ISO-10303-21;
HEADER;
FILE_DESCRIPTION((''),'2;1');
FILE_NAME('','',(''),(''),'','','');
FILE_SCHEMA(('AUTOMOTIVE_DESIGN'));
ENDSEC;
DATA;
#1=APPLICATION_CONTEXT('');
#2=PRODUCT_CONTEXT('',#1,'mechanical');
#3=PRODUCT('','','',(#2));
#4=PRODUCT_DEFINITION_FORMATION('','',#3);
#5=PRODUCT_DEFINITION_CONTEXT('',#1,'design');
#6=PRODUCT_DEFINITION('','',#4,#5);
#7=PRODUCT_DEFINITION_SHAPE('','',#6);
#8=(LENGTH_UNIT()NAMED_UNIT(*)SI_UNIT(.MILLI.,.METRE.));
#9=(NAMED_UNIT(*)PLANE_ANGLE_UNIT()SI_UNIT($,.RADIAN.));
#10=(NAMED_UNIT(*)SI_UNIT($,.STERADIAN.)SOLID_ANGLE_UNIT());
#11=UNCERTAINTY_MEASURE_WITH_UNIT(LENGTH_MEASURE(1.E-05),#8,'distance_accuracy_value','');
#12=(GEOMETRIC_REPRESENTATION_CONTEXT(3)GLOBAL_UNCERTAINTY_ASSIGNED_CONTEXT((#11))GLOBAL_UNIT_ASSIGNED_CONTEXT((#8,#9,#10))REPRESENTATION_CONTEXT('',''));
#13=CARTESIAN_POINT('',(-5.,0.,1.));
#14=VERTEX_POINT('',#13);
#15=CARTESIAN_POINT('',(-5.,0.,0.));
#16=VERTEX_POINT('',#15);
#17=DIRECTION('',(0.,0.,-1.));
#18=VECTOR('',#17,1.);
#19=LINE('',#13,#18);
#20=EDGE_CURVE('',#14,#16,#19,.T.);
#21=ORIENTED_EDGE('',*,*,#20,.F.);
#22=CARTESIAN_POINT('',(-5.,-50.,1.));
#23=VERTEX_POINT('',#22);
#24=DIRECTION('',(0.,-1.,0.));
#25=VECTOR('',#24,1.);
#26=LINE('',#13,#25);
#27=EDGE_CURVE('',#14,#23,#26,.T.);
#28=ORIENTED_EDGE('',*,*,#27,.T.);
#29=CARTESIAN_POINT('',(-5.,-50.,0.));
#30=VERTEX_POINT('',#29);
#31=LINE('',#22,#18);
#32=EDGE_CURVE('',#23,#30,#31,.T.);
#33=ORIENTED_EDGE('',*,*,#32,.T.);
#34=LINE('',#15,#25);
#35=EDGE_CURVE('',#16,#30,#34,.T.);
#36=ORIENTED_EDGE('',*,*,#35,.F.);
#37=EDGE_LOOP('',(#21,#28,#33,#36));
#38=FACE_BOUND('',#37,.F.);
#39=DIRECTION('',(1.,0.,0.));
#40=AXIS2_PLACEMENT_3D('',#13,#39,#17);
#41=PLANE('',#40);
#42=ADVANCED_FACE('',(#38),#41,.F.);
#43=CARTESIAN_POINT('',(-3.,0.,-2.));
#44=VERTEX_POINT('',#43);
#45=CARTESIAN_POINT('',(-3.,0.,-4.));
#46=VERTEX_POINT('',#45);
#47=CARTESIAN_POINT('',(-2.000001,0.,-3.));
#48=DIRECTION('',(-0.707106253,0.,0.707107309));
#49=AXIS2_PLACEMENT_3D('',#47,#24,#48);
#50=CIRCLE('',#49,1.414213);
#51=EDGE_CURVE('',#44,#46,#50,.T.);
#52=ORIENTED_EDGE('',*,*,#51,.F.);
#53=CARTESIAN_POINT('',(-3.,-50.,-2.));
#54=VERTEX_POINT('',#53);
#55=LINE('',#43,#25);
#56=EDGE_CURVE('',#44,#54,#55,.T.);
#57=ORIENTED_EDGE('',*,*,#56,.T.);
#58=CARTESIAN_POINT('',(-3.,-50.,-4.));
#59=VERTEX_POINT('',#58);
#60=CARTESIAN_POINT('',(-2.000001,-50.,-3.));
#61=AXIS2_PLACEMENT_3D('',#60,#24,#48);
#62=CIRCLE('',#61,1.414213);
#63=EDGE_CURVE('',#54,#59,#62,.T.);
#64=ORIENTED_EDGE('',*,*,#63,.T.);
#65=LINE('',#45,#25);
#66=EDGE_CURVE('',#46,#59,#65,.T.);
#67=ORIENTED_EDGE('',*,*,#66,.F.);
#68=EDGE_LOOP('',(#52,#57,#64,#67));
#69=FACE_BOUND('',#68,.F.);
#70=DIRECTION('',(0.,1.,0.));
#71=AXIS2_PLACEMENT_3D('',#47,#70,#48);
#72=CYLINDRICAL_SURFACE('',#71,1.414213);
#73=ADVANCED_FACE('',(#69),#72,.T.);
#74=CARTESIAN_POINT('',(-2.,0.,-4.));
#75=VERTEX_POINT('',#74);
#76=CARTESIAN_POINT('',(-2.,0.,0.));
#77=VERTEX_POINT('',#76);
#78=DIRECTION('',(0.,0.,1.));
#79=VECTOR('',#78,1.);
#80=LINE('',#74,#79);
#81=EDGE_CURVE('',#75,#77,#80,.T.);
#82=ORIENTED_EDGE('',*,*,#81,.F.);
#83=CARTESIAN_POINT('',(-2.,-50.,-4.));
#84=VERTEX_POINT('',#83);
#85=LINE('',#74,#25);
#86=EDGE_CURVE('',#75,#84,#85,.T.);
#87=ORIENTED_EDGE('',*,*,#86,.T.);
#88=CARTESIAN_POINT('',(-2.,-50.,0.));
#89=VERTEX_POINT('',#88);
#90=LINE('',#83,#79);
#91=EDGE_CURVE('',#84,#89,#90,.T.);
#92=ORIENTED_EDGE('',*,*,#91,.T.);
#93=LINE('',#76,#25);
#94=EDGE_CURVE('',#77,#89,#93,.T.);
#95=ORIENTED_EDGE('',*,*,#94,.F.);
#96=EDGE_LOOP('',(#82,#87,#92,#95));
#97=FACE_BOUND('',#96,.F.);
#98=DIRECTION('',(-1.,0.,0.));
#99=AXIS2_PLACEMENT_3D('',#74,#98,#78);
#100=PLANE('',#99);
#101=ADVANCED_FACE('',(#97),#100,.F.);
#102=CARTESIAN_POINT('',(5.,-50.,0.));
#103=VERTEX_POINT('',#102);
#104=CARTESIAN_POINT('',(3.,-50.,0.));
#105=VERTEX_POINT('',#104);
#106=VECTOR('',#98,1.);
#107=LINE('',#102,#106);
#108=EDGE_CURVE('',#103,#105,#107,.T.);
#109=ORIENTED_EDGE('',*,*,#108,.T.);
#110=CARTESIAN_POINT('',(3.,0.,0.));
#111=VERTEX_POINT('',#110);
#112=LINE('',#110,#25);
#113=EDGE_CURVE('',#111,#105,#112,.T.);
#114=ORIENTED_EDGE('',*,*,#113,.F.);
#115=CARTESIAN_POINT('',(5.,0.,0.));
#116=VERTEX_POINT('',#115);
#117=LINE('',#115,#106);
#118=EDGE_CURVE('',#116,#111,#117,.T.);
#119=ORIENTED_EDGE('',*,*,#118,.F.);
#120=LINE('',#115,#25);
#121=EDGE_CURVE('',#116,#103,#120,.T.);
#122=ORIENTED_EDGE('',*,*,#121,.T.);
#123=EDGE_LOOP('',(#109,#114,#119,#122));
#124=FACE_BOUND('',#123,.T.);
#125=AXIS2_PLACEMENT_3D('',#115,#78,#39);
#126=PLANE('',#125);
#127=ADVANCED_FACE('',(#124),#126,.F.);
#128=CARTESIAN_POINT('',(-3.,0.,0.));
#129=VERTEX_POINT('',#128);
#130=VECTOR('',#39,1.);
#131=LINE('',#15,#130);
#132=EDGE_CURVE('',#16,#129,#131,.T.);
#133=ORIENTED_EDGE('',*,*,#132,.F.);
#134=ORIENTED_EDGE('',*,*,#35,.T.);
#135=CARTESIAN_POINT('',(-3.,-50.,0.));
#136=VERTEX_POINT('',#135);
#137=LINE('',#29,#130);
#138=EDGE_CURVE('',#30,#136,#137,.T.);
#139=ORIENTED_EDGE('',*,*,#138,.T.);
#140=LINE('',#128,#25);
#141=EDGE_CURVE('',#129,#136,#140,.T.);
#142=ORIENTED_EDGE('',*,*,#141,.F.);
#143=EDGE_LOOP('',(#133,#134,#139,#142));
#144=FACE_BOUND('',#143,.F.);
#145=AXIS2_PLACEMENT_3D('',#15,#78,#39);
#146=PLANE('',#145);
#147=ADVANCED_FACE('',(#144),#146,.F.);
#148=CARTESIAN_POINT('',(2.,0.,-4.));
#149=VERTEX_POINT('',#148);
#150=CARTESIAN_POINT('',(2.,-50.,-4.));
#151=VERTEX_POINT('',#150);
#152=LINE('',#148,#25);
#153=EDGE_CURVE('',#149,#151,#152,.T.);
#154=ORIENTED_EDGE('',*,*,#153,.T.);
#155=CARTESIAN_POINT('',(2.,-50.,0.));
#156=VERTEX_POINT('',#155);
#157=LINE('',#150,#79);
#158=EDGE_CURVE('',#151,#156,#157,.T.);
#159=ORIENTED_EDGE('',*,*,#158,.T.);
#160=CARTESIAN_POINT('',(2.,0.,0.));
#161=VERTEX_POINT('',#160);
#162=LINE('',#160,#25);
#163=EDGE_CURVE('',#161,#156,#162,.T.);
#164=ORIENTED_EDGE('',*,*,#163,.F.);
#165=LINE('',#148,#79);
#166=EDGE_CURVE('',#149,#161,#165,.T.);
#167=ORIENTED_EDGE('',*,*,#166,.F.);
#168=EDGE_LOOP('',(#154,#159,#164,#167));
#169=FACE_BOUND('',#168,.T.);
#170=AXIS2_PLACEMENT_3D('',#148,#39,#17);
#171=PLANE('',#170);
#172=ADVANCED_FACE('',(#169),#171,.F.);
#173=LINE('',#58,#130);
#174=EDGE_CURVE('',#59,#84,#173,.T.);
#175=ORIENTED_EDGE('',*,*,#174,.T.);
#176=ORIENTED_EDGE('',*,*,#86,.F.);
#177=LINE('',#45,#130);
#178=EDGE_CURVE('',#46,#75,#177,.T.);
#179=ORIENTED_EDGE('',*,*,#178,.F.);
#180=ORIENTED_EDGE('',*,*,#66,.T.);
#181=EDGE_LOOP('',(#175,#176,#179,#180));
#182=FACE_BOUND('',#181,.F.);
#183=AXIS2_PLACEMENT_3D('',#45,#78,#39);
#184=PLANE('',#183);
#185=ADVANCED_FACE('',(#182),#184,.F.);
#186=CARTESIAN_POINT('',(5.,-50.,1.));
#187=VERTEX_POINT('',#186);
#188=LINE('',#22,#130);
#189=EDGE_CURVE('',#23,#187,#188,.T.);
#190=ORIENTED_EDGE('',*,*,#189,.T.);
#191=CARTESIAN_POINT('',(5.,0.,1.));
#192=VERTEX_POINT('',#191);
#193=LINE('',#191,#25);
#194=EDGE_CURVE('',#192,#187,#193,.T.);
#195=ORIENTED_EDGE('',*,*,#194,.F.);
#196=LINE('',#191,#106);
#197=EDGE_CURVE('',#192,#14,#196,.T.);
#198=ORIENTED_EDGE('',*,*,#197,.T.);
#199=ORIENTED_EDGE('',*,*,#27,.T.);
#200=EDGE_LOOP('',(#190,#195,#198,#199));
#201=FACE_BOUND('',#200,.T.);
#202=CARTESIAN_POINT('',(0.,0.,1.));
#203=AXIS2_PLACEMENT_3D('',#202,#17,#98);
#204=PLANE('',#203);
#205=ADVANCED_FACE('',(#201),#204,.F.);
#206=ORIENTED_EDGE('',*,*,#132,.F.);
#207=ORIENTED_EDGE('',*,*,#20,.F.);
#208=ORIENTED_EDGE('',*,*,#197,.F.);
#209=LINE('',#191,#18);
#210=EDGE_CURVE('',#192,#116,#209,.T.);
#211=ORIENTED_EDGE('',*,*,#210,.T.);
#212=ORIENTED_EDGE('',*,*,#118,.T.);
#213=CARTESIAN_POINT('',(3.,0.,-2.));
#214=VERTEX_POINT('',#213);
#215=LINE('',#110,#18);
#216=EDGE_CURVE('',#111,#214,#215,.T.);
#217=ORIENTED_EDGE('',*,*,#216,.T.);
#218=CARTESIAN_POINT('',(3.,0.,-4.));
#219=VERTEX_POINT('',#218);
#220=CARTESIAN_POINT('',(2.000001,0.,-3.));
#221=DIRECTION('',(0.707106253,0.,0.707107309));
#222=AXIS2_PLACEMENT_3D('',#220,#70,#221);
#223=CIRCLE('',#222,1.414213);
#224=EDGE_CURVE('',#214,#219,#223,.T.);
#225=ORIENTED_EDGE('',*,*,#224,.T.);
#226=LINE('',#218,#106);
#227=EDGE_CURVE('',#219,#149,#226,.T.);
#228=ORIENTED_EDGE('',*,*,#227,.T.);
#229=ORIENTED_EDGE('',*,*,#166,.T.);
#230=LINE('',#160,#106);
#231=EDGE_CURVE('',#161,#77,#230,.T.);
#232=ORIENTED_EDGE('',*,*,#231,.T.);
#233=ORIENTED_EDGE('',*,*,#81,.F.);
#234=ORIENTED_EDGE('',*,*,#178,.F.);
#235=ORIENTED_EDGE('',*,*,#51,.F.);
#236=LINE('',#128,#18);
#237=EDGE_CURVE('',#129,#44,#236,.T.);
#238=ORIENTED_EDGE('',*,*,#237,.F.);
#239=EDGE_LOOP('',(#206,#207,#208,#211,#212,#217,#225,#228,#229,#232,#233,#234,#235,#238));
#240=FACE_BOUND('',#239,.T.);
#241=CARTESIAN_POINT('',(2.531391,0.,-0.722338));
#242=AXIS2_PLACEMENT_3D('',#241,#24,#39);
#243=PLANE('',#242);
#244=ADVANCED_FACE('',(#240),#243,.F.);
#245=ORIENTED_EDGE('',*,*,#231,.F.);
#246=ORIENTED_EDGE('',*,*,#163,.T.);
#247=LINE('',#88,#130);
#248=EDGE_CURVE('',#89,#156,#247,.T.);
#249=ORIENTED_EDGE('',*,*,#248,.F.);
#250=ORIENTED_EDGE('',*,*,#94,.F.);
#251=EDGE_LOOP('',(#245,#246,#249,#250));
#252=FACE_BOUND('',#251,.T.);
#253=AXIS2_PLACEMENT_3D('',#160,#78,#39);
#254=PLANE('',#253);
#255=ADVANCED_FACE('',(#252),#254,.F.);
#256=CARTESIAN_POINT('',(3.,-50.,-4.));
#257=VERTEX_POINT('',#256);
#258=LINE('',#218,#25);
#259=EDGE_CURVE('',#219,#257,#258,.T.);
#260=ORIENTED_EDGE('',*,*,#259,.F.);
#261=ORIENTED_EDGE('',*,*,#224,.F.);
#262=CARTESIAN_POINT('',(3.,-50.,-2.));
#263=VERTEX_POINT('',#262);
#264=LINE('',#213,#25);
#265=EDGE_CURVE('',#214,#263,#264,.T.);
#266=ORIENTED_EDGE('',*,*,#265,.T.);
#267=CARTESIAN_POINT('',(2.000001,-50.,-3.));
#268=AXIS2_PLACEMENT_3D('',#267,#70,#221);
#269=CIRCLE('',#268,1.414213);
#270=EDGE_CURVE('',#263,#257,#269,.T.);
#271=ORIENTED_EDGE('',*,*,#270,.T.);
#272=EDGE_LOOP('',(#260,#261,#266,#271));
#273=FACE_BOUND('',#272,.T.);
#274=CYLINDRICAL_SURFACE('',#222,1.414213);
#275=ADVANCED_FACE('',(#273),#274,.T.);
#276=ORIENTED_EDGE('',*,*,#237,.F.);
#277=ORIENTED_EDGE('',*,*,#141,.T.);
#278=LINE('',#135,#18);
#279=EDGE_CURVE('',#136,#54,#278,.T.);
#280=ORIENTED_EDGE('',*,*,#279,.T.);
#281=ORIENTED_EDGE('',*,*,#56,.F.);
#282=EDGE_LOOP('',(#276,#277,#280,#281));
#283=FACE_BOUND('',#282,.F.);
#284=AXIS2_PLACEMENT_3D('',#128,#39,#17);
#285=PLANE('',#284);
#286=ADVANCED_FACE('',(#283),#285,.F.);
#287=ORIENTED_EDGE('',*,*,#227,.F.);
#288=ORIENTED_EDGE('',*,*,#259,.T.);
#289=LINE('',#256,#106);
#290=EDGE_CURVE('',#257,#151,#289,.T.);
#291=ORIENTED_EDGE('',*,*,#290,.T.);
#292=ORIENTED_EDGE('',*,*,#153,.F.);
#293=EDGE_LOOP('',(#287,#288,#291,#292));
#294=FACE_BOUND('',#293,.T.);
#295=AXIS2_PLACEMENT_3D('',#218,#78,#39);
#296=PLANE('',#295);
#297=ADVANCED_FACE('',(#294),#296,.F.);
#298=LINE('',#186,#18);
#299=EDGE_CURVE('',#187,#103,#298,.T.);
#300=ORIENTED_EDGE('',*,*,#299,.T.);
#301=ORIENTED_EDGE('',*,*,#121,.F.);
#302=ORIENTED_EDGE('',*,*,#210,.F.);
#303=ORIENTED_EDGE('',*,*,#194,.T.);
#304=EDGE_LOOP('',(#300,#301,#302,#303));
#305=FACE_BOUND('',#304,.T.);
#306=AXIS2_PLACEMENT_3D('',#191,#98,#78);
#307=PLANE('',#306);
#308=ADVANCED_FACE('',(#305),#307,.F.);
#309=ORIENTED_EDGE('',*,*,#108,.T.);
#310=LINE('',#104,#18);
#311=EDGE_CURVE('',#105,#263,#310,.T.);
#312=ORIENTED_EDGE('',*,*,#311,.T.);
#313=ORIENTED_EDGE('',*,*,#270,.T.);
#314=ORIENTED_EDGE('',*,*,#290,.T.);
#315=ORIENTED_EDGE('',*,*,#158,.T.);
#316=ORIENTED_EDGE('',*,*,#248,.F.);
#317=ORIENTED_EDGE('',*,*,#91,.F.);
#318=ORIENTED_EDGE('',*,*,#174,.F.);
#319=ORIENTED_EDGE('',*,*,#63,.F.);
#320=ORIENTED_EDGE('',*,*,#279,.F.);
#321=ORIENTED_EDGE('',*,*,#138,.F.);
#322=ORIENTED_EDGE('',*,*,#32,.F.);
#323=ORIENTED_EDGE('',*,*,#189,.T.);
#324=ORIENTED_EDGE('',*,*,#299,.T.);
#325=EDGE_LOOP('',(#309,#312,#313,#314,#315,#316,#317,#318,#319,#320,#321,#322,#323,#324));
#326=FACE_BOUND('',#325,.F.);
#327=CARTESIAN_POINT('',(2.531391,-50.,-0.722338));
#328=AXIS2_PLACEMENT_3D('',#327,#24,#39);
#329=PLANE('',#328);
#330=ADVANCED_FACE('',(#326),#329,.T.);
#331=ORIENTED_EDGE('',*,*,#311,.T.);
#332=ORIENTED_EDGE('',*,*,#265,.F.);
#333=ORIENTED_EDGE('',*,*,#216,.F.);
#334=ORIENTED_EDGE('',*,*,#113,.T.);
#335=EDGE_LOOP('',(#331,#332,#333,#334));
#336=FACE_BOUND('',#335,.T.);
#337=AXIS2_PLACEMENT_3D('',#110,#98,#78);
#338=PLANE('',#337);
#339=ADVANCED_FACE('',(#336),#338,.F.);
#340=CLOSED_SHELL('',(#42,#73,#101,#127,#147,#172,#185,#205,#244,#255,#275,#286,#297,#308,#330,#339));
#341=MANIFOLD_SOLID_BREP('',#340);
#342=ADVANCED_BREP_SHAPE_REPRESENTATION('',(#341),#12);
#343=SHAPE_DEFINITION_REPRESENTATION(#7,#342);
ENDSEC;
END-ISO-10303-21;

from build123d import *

# Parameters (mm, degrees)
F1_DEPTH = 50


with BuildPart() as f1:
    # F0 (on Front) → F1 (new body)
    with BuildSketch(Plane.XZ):
        with BuildLine():
            Line((0, 0), (0, 1))
            Line((0, 1), (-5, 1))
            Line((-5, 1), (-5, 0))
            Line((-5, 0), (-3, 0))
            Line((-3, 0), (-3, -2))
            ThreePointArc((-3, -2), (-3.414214, -3), (-3, -4))
            Line((-3, -4), (-2, -4))
            Line((-2, -4), (-2, 0))
            Line((-2, 0), (0, 0))
        make_face()
    extrude(amount=F1_DEPTH)

    # F2: F1 across plane


with BuildPart() as f1_1:
    add(f1.part)
    add(f1.part.mirror(Plane.YZ))


solid = f1_1.part
